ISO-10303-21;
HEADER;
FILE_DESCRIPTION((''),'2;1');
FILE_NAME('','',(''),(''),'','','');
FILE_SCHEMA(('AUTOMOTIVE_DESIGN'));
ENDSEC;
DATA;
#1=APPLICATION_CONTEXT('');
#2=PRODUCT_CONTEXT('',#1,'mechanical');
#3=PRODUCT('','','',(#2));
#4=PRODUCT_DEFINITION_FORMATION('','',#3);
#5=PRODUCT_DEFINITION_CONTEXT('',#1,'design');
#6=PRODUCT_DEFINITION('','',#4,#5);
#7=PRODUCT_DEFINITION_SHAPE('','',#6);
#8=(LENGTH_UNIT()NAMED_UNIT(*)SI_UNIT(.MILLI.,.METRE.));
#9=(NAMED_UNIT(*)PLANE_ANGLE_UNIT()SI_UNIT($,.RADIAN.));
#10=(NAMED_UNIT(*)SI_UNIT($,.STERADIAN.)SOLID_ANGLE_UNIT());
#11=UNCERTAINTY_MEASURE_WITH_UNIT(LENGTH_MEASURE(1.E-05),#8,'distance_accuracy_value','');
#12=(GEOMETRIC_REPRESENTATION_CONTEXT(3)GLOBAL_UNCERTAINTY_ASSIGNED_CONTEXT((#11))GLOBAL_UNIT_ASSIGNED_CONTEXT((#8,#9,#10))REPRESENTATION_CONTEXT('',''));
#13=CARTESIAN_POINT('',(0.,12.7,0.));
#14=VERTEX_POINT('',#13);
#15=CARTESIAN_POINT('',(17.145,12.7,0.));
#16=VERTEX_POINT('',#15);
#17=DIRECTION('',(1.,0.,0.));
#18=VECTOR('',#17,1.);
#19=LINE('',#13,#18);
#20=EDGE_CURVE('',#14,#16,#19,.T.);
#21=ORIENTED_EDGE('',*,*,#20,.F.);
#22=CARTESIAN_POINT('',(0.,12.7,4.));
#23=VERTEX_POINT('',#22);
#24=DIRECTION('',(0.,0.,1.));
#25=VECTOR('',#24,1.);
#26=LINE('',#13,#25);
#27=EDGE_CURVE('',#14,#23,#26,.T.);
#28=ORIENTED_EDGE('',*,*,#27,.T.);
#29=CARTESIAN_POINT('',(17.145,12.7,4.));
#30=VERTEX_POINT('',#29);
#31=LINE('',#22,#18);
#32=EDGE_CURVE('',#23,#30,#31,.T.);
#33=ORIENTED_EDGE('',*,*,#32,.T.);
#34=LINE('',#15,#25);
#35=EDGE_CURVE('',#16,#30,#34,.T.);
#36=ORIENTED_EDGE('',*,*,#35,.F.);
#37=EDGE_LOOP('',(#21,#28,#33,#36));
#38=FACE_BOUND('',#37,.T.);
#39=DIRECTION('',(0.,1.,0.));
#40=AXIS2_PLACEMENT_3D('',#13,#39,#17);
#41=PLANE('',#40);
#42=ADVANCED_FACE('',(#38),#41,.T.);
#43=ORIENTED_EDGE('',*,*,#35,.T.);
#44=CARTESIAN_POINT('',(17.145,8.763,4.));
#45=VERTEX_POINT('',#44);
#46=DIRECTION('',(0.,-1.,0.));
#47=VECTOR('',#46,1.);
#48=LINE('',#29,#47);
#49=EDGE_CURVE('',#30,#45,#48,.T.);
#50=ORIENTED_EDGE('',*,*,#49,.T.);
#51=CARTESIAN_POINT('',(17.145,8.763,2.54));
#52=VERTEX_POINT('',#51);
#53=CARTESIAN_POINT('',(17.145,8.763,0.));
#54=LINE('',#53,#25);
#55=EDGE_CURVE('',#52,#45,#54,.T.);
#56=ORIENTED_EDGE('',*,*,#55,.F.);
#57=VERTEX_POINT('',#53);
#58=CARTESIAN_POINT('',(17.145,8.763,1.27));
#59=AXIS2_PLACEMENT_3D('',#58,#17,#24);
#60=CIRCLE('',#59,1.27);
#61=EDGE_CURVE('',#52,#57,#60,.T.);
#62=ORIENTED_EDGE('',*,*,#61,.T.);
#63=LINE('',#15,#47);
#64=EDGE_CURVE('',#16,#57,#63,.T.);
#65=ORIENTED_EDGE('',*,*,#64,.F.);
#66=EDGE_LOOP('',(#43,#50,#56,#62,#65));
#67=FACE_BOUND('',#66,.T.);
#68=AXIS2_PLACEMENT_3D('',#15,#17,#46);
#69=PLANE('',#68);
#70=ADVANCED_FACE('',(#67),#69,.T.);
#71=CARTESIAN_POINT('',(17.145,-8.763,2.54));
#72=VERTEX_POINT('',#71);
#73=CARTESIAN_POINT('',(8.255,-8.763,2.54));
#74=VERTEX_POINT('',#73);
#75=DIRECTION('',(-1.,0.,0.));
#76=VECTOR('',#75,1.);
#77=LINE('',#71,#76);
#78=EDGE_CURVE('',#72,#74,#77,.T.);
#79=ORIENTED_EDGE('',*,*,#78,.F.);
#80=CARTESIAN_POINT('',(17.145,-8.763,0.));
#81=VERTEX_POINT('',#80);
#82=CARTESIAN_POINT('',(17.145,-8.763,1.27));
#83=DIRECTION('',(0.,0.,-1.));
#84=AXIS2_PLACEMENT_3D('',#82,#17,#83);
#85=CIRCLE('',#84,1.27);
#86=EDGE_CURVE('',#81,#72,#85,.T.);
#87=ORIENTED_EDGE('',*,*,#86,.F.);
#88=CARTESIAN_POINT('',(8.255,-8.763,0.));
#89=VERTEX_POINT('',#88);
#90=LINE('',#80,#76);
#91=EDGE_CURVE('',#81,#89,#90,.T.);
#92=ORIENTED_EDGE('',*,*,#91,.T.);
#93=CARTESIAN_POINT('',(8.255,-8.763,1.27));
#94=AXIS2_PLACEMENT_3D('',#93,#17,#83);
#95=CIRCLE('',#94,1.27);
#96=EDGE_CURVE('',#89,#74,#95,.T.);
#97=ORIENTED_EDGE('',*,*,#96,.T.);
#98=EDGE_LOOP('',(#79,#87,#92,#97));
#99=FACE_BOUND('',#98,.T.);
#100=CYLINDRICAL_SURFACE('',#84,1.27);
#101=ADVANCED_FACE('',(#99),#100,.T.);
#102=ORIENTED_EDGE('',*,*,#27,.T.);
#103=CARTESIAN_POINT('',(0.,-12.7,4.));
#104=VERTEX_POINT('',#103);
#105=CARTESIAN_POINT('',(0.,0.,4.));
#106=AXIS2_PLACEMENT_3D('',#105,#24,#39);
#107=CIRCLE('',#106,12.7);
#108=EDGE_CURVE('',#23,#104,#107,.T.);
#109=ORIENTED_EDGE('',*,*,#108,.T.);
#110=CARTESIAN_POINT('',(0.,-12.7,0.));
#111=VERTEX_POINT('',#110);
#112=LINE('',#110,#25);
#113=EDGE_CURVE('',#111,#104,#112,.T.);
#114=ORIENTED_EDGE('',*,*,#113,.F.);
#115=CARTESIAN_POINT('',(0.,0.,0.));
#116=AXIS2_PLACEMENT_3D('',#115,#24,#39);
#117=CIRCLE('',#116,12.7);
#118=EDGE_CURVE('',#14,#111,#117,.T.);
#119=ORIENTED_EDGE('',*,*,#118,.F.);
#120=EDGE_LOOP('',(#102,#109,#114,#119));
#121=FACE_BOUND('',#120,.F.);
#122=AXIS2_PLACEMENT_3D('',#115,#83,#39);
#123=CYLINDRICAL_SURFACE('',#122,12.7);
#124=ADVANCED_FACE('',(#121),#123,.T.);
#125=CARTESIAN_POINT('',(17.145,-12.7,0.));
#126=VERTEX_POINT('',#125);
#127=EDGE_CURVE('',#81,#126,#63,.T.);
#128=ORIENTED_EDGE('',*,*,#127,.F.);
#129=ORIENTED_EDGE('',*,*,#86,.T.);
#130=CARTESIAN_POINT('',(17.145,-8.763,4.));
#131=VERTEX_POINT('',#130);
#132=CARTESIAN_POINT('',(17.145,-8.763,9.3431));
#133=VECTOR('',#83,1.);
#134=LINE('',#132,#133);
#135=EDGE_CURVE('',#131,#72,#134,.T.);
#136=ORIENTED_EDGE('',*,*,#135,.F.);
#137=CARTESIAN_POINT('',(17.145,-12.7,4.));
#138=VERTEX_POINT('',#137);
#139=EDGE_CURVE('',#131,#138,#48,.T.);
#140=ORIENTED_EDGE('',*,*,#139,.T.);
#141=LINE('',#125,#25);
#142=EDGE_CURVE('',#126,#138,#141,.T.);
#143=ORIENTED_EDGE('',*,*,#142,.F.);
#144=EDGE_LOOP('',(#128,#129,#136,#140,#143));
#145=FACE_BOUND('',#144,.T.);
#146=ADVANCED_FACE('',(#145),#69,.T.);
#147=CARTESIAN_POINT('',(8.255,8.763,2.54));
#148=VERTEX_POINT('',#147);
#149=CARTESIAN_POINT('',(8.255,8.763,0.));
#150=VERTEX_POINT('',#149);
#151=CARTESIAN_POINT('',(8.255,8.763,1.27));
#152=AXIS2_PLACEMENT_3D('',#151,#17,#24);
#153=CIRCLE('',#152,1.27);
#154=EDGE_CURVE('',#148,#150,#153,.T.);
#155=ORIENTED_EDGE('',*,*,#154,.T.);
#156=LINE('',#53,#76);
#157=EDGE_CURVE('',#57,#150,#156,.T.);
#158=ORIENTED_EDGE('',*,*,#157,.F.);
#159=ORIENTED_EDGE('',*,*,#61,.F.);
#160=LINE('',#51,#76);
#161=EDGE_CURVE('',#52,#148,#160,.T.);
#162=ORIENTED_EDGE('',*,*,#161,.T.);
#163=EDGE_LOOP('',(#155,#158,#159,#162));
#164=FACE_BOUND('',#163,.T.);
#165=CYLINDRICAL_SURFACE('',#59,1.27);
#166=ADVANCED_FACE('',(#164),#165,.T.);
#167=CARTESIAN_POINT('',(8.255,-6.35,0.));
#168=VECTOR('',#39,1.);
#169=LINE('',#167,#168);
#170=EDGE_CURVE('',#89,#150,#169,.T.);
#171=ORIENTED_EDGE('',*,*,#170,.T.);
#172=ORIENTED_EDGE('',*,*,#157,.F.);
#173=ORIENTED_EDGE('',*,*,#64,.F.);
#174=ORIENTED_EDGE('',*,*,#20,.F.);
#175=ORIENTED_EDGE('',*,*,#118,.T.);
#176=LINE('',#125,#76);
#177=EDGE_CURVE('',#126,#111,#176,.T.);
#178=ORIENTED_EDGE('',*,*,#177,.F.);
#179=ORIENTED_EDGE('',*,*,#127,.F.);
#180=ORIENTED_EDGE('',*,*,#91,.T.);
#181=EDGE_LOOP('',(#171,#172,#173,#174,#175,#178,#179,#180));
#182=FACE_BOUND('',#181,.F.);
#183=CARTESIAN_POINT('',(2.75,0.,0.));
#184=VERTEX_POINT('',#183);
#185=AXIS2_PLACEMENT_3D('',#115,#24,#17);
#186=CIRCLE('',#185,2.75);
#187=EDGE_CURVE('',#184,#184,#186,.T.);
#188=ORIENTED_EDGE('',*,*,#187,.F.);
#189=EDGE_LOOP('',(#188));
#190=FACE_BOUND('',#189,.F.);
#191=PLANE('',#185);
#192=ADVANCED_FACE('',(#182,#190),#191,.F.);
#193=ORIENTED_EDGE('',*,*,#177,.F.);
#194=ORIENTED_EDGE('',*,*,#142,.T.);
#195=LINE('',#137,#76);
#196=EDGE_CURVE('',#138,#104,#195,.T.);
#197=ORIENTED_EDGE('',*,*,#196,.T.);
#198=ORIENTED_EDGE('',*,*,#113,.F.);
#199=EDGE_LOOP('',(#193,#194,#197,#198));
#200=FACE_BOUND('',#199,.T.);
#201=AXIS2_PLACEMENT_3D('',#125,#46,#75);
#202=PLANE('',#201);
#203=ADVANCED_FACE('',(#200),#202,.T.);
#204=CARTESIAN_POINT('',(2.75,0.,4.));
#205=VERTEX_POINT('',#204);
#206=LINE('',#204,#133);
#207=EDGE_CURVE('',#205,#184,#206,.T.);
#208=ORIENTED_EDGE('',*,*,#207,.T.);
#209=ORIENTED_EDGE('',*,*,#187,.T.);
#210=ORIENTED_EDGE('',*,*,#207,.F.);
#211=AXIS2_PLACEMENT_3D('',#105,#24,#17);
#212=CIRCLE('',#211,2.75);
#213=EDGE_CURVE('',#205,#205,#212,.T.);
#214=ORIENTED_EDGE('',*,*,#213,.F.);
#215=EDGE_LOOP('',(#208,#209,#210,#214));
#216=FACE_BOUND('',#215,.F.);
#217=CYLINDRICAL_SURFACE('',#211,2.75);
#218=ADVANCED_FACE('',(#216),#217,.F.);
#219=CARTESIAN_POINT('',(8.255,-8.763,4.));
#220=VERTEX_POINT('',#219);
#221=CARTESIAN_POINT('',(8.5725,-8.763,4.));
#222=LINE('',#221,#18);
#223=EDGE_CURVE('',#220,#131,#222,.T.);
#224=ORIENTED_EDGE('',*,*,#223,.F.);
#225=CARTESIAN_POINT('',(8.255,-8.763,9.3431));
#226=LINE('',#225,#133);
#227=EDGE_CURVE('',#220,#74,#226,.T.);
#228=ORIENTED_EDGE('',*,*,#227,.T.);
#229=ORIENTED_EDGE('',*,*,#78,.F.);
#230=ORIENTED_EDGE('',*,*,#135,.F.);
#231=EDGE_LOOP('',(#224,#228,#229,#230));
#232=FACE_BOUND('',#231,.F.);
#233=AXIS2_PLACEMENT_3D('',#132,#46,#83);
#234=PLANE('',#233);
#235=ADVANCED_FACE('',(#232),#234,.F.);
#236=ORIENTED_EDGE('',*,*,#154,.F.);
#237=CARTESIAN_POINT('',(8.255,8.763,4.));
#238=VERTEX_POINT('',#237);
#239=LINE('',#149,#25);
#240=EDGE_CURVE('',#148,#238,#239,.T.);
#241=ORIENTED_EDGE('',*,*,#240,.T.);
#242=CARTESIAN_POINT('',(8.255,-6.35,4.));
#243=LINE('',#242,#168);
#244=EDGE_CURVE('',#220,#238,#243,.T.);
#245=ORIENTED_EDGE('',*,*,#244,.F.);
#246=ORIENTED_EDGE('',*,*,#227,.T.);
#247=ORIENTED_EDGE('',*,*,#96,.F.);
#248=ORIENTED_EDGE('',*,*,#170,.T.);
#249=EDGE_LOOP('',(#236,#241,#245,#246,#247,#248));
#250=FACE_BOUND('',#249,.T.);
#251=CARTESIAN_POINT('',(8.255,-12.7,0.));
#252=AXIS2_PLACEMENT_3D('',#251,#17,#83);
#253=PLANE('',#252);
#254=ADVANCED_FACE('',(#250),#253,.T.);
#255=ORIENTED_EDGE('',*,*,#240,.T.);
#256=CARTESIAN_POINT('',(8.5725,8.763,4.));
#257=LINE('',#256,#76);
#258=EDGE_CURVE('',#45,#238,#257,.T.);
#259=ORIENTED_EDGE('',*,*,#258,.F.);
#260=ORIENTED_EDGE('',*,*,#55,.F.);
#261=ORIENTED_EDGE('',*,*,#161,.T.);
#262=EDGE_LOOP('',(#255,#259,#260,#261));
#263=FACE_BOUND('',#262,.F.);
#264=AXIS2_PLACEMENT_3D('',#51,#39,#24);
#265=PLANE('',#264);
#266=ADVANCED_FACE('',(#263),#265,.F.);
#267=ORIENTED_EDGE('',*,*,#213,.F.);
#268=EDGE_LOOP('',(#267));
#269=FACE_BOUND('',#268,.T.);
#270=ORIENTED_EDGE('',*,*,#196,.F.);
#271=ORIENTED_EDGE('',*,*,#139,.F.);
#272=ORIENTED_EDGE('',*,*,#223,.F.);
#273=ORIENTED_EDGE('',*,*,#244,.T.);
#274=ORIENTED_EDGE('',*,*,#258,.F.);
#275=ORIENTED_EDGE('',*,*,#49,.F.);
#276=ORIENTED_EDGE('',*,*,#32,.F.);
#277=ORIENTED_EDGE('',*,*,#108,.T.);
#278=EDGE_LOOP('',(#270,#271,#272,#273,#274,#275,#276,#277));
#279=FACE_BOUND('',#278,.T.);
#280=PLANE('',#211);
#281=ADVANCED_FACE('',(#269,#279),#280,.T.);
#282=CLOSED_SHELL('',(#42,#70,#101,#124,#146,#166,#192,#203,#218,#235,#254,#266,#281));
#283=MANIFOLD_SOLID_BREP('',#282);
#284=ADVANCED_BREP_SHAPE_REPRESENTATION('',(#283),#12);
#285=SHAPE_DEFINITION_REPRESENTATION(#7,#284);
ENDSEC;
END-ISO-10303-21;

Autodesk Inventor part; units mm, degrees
ref_plane "YZ Plane" through (0, 0, 0) normal (1, 0, 0) x (0, 1, 0)
ref_plane "XZ Plane" through (0, 0, 0) normal (0, 1, 0) x (-1, 0, 0)
ref_plane "XY Plane" through (0, 0, 0) normal (0, 0, 1) x (1, 0, 0)
sketch "Sketch1" plane through (0, 0, 0) normal (0, 0, 1) x (1, 0, 0)
  arc A0 (0, 12.7) -> (0, -12.7) centre (0, 0) ccw
  line L0 (0, 12.7) -> (17.145, 12.7)
  line L1 (17.145, 12.7) -> (17.145, -12.7)
  line L2 (17.145, -12.7) -> (0, -12.7)
  line L3 (0, -12.7) -> (0, 12.7)
  dimension "d0" = 25.4
  dimension "d7" = 17.145
extrude "Extrusion1" add sketch "Sketch1" along normal blind 4
sketch "Sketch2" plane through (0, 0, 4) normal (0, 0, 1) x (1, 0, 0)
  circle A0 centre (0, 0) radius 2.75
  dimension "d4" = 5.5
extrude "Extrusion2" cut sketch "Sketch2" against normal through all
sketch "Sketch3" plane through (17.145, -12.7, 0) normal (1, 0, 0) x (0, 0, -1)
  line L0 (-9.3431, 3.937) -> (-2.54, 3.937)
  line L1 (4.3638, 3.937) -> (4.3638, 21.463)
  line L2 (4.3638, 21.463) -> (0, 21.463)
  line L3 (-9.3431, 21.463) -> (-9.3431, 3.937)
  arc A0 (-2.54, 3.937) -> (0, 3.937) centre (-1.27, 3.937) ccw
  arc A1 (0, 21.463) -> (-2.54, 21.463) centre (-1.27, 21.463) ccw
  line L4 (0, 0) -> (0, 25.4) projected
  line L5 (-2.54, 3.937) -> (0, 3.937)
  line L6 (0, 3.937) -> (4.3638, 3.937)
  line L7 (0, 21.463) -> (-9.3431, 21.463)
  arc A2 (0, 3.937) -> (-2.54, 3.937) centre (-1.27, 3.937) ccw
  arc A3 (-2.54, 21.463) -> (0, 21.463) centre (-1.27, 21.463) ccw
  point P0 (0, 12.7)
  point P1 (4.3638, 12.7)
  point P2 (0, 12.7)
  dimension "d8" = 2.54
  dimension "d9" = 17.526
extrude "Extrusion3" cut sketch "Sketch3" against normal blind 8.89 contours L3 L7 A3 L4 A2 L0 | L4 L2 L1 L6
properties part number "fakebattergasket1"
